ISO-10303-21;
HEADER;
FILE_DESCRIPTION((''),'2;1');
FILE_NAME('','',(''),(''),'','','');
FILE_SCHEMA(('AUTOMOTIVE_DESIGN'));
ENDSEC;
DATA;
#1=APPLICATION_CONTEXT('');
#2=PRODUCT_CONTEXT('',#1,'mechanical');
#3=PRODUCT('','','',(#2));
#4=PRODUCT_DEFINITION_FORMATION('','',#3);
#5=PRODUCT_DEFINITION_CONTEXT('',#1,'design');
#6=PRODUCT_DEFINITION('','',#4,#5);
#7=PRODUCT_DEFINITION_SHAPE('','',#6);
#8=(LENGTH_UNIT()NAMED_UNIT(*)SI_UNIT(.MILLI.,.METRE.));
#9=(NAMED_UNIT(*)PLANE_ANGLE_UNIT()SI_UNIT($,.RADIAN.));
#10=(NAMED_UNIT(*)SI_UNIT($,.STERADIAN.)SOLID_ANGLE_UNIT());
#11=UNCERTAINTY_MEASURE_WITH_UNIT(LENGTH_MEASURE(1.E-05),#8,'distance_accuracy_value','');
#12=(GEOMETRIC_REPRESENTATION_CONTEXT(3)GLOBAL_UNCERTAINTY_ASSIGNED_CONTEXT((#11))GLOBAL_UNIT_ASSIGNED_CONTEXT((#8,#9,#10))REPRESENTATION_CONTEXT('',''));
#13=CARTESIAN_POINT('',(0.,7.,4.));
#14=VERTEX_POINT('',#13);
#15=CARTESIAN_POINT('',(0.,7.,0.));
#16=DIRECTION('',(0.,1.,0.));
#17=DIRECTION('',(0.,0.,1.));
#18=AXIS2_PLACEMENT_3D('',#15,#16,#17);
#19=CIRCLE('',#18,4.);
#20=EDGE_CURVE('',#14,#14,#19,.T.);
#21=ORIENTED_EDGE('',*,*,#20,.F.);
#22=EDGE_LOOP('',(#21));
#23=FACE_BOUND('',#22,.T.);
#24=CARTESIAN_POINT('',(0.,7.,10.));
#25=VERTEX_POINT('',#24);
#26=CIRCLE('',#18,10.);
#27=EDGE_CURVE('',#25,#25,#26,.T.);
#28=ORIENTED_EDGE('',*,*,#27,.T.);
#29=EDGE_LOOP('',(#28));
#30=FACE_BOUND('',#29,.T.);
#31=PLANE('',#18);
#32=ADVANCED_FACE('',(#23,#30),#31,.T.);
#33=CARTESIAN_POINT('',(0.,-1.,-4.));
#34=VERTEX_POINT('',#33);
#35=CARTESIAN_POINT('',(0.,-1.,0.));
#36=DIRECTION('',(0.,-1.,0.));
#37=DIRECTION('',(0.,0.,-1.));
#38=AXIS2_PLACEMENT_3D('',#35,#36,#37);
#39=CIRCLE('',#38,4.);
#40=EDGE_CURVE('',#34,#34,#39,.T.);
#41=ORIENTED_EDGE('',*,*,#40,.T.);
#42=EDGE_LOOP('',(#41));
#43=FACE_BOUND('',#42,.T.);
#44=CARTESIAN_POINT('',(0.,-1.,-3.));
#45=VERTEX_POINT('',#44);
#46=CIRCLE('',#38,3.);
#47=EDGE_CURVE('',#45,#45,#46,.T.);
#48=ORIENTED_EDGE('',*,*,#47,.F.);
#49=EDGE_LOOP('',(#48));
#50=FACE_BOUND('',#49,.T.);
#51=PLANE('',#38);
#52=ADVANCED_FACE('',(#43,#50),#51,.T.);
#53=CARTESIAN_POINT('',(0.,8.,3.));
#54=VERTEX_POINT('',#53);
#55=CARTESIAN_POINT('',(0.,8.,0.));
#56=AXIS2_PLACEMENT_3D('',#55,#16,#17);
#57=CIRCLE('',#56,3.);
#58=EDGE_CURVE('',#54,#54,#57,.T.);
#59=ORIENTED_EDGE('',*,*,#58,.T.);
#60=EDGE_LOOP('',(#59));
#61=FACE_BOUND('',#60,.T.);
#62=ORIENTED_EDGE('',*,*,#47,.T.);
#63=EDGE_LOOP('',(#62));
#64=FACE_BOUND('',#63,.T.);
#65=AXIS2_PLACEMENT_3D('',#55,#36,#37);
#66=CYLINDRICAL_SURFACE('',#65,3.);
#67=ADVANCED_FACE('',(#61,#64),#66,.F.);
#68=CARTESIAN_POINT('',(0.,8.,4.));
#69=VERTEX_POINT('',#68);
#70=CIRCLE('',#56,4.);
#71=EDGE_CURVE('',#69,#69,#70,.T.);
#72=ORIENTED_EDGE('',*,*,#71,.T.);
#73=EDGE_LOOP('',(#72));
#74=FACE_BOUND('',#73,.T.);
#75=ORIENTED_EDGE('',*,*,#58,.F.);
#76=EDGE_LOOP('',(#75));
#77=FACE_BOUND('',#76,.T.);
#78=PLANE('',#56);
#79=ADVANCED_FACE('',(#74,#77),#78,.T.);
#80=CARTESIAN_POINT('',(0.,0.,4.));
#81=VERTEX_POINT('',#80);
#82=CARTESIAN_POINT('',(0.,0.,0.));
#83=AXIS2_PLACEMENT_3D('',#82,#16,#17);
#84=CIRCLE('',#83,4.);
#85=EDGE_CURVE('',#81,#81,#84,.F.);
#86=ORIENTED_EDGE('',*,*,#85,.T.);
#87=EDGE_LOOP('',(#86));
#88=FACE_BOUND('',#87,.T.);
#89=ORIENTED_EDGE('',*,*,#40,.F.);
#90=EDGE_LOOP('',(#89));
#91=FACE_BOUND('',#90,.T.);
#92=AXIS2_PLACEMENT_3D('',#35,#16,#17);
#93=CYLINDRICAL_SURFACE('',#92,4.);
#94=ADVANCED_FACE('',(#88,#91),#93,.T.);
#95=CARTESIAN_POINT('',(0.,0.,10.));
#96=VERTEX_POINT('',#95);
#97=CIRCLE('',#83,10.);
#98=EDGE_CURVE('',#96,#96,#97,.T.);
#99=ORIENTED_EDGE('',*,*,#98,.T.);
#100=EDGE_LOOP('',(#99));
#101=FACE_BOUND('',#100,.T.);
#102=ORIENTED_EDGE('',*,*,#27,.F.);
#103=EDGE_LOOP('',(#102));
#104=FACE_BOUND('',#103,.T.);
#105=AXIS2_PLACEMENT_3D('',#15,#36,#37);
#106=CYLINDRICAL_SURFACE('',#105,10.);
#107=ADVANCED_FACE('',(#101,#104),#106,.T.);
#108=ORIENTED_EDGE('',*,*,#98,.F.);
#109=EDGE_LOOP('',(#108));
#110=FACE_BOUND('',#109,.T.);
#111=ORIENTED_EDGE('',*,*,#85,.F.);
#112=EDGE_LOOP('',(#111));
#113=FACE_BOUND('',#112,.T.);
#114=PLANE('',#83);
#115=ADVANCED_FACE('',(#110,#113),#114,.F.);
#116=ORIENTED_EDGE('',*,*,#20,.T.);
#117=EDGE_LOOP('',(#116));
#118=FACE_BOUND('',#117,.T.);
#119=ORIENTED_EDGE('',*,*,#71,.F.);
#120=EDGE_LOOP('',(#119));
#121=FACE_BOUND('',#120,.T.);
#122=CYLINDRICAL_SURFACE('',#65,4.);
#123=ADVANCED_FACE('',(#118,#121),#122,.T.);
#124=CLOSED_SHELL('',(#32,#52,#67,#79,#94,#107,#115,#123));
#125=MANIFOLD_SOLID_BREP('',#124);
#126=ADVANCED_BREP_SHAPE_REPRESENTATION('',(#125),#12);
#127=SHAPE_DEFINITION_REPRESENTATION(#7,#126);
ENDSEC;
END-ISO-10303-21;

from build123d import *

# Parameters (mm, degrees)
SKETCH1_R           = 10
BOSS_EXTRUDE1_DEPTH = 7
SKETCH2_R           = 4
SKETCH2_R_2         = 3
BOSS_EXTRUDE2_DEPTH = 1
CUT_EXTRUDE2_START  = -8
SKETCH4_R           = 3
CUT_EXTRUDE2_DEPTH  = 8
BOSS_EXTRUDE3_START = 1
SKETCH5_R           = 4
SKETCH5_R_2         = 3
BOSS_EXTRUDE3_DEPTH = 1


with BuildPart() as part:
    # Sketch1 → Boss-Extrude1 (new body)
    with BuildSketch(Plane(origin=(0, 0, 0), x_dir=(1, 0, 0), z_dir=(0, 1, 0))):
        with Locations(Location((0, 0, 0), (0, 0, 270))):
            Circle(SKETCH1_R)
    extrude(amount=BOSS_EXTRUDE1_DEPTH)

    # Sketch2 → Boss-Extrude2 (add)
    with BuildSketch(Plane(origin=(0, 7, 0), x_dir=(1, 0, 0), z_dir=(0, 1, 0))):
        with Locations(Location((0, 0, 0), (0, 0, 270))):
            Circle(SKETCH2_R)
        with Locations(Location((0, 0, 0), (0, 0, 270))):
            Circle(SKETCH2_R_2, mode=Mode.SUBTRACT)
    extrude(amount=BOSS_EXTRUDE2_DEPTH)

    # Sketch4 → Cut-Extrude2 (cut)
    with BuildSketch(Plane(origin=(0, 7, 0), x_dir=(1, 0, 0), z_dir=(0, 1, 0)).offset(CUT_EXTRUDE2_START)):
        with Locations(Location((0, 0, 0), (0, 0, 270))):
            Circle(SKETCH4_R)
    extrude(amount=CUT_EXTRUDE2_DEPTH, mode=Mode.SUBTRACT)

    # Sketch5 → Boss-Extrude3 (add)
    with BuildSketch(Plane.XZ.offset(BOSS_EXTRUDE3_START)):
        with Locations(Location((0, 0, 0), (0, 0, 90))):
            Circle(SKETCH5_R)
        with Locations(Location((0, 0, 0), (0, 0, 270))):
            Circle(SKETCH5_R_2, mode=Mode.SUBTRACT)
    extrude(amount=-BOSS_EXTRUDE3_DEPTH)


solid = part.part
